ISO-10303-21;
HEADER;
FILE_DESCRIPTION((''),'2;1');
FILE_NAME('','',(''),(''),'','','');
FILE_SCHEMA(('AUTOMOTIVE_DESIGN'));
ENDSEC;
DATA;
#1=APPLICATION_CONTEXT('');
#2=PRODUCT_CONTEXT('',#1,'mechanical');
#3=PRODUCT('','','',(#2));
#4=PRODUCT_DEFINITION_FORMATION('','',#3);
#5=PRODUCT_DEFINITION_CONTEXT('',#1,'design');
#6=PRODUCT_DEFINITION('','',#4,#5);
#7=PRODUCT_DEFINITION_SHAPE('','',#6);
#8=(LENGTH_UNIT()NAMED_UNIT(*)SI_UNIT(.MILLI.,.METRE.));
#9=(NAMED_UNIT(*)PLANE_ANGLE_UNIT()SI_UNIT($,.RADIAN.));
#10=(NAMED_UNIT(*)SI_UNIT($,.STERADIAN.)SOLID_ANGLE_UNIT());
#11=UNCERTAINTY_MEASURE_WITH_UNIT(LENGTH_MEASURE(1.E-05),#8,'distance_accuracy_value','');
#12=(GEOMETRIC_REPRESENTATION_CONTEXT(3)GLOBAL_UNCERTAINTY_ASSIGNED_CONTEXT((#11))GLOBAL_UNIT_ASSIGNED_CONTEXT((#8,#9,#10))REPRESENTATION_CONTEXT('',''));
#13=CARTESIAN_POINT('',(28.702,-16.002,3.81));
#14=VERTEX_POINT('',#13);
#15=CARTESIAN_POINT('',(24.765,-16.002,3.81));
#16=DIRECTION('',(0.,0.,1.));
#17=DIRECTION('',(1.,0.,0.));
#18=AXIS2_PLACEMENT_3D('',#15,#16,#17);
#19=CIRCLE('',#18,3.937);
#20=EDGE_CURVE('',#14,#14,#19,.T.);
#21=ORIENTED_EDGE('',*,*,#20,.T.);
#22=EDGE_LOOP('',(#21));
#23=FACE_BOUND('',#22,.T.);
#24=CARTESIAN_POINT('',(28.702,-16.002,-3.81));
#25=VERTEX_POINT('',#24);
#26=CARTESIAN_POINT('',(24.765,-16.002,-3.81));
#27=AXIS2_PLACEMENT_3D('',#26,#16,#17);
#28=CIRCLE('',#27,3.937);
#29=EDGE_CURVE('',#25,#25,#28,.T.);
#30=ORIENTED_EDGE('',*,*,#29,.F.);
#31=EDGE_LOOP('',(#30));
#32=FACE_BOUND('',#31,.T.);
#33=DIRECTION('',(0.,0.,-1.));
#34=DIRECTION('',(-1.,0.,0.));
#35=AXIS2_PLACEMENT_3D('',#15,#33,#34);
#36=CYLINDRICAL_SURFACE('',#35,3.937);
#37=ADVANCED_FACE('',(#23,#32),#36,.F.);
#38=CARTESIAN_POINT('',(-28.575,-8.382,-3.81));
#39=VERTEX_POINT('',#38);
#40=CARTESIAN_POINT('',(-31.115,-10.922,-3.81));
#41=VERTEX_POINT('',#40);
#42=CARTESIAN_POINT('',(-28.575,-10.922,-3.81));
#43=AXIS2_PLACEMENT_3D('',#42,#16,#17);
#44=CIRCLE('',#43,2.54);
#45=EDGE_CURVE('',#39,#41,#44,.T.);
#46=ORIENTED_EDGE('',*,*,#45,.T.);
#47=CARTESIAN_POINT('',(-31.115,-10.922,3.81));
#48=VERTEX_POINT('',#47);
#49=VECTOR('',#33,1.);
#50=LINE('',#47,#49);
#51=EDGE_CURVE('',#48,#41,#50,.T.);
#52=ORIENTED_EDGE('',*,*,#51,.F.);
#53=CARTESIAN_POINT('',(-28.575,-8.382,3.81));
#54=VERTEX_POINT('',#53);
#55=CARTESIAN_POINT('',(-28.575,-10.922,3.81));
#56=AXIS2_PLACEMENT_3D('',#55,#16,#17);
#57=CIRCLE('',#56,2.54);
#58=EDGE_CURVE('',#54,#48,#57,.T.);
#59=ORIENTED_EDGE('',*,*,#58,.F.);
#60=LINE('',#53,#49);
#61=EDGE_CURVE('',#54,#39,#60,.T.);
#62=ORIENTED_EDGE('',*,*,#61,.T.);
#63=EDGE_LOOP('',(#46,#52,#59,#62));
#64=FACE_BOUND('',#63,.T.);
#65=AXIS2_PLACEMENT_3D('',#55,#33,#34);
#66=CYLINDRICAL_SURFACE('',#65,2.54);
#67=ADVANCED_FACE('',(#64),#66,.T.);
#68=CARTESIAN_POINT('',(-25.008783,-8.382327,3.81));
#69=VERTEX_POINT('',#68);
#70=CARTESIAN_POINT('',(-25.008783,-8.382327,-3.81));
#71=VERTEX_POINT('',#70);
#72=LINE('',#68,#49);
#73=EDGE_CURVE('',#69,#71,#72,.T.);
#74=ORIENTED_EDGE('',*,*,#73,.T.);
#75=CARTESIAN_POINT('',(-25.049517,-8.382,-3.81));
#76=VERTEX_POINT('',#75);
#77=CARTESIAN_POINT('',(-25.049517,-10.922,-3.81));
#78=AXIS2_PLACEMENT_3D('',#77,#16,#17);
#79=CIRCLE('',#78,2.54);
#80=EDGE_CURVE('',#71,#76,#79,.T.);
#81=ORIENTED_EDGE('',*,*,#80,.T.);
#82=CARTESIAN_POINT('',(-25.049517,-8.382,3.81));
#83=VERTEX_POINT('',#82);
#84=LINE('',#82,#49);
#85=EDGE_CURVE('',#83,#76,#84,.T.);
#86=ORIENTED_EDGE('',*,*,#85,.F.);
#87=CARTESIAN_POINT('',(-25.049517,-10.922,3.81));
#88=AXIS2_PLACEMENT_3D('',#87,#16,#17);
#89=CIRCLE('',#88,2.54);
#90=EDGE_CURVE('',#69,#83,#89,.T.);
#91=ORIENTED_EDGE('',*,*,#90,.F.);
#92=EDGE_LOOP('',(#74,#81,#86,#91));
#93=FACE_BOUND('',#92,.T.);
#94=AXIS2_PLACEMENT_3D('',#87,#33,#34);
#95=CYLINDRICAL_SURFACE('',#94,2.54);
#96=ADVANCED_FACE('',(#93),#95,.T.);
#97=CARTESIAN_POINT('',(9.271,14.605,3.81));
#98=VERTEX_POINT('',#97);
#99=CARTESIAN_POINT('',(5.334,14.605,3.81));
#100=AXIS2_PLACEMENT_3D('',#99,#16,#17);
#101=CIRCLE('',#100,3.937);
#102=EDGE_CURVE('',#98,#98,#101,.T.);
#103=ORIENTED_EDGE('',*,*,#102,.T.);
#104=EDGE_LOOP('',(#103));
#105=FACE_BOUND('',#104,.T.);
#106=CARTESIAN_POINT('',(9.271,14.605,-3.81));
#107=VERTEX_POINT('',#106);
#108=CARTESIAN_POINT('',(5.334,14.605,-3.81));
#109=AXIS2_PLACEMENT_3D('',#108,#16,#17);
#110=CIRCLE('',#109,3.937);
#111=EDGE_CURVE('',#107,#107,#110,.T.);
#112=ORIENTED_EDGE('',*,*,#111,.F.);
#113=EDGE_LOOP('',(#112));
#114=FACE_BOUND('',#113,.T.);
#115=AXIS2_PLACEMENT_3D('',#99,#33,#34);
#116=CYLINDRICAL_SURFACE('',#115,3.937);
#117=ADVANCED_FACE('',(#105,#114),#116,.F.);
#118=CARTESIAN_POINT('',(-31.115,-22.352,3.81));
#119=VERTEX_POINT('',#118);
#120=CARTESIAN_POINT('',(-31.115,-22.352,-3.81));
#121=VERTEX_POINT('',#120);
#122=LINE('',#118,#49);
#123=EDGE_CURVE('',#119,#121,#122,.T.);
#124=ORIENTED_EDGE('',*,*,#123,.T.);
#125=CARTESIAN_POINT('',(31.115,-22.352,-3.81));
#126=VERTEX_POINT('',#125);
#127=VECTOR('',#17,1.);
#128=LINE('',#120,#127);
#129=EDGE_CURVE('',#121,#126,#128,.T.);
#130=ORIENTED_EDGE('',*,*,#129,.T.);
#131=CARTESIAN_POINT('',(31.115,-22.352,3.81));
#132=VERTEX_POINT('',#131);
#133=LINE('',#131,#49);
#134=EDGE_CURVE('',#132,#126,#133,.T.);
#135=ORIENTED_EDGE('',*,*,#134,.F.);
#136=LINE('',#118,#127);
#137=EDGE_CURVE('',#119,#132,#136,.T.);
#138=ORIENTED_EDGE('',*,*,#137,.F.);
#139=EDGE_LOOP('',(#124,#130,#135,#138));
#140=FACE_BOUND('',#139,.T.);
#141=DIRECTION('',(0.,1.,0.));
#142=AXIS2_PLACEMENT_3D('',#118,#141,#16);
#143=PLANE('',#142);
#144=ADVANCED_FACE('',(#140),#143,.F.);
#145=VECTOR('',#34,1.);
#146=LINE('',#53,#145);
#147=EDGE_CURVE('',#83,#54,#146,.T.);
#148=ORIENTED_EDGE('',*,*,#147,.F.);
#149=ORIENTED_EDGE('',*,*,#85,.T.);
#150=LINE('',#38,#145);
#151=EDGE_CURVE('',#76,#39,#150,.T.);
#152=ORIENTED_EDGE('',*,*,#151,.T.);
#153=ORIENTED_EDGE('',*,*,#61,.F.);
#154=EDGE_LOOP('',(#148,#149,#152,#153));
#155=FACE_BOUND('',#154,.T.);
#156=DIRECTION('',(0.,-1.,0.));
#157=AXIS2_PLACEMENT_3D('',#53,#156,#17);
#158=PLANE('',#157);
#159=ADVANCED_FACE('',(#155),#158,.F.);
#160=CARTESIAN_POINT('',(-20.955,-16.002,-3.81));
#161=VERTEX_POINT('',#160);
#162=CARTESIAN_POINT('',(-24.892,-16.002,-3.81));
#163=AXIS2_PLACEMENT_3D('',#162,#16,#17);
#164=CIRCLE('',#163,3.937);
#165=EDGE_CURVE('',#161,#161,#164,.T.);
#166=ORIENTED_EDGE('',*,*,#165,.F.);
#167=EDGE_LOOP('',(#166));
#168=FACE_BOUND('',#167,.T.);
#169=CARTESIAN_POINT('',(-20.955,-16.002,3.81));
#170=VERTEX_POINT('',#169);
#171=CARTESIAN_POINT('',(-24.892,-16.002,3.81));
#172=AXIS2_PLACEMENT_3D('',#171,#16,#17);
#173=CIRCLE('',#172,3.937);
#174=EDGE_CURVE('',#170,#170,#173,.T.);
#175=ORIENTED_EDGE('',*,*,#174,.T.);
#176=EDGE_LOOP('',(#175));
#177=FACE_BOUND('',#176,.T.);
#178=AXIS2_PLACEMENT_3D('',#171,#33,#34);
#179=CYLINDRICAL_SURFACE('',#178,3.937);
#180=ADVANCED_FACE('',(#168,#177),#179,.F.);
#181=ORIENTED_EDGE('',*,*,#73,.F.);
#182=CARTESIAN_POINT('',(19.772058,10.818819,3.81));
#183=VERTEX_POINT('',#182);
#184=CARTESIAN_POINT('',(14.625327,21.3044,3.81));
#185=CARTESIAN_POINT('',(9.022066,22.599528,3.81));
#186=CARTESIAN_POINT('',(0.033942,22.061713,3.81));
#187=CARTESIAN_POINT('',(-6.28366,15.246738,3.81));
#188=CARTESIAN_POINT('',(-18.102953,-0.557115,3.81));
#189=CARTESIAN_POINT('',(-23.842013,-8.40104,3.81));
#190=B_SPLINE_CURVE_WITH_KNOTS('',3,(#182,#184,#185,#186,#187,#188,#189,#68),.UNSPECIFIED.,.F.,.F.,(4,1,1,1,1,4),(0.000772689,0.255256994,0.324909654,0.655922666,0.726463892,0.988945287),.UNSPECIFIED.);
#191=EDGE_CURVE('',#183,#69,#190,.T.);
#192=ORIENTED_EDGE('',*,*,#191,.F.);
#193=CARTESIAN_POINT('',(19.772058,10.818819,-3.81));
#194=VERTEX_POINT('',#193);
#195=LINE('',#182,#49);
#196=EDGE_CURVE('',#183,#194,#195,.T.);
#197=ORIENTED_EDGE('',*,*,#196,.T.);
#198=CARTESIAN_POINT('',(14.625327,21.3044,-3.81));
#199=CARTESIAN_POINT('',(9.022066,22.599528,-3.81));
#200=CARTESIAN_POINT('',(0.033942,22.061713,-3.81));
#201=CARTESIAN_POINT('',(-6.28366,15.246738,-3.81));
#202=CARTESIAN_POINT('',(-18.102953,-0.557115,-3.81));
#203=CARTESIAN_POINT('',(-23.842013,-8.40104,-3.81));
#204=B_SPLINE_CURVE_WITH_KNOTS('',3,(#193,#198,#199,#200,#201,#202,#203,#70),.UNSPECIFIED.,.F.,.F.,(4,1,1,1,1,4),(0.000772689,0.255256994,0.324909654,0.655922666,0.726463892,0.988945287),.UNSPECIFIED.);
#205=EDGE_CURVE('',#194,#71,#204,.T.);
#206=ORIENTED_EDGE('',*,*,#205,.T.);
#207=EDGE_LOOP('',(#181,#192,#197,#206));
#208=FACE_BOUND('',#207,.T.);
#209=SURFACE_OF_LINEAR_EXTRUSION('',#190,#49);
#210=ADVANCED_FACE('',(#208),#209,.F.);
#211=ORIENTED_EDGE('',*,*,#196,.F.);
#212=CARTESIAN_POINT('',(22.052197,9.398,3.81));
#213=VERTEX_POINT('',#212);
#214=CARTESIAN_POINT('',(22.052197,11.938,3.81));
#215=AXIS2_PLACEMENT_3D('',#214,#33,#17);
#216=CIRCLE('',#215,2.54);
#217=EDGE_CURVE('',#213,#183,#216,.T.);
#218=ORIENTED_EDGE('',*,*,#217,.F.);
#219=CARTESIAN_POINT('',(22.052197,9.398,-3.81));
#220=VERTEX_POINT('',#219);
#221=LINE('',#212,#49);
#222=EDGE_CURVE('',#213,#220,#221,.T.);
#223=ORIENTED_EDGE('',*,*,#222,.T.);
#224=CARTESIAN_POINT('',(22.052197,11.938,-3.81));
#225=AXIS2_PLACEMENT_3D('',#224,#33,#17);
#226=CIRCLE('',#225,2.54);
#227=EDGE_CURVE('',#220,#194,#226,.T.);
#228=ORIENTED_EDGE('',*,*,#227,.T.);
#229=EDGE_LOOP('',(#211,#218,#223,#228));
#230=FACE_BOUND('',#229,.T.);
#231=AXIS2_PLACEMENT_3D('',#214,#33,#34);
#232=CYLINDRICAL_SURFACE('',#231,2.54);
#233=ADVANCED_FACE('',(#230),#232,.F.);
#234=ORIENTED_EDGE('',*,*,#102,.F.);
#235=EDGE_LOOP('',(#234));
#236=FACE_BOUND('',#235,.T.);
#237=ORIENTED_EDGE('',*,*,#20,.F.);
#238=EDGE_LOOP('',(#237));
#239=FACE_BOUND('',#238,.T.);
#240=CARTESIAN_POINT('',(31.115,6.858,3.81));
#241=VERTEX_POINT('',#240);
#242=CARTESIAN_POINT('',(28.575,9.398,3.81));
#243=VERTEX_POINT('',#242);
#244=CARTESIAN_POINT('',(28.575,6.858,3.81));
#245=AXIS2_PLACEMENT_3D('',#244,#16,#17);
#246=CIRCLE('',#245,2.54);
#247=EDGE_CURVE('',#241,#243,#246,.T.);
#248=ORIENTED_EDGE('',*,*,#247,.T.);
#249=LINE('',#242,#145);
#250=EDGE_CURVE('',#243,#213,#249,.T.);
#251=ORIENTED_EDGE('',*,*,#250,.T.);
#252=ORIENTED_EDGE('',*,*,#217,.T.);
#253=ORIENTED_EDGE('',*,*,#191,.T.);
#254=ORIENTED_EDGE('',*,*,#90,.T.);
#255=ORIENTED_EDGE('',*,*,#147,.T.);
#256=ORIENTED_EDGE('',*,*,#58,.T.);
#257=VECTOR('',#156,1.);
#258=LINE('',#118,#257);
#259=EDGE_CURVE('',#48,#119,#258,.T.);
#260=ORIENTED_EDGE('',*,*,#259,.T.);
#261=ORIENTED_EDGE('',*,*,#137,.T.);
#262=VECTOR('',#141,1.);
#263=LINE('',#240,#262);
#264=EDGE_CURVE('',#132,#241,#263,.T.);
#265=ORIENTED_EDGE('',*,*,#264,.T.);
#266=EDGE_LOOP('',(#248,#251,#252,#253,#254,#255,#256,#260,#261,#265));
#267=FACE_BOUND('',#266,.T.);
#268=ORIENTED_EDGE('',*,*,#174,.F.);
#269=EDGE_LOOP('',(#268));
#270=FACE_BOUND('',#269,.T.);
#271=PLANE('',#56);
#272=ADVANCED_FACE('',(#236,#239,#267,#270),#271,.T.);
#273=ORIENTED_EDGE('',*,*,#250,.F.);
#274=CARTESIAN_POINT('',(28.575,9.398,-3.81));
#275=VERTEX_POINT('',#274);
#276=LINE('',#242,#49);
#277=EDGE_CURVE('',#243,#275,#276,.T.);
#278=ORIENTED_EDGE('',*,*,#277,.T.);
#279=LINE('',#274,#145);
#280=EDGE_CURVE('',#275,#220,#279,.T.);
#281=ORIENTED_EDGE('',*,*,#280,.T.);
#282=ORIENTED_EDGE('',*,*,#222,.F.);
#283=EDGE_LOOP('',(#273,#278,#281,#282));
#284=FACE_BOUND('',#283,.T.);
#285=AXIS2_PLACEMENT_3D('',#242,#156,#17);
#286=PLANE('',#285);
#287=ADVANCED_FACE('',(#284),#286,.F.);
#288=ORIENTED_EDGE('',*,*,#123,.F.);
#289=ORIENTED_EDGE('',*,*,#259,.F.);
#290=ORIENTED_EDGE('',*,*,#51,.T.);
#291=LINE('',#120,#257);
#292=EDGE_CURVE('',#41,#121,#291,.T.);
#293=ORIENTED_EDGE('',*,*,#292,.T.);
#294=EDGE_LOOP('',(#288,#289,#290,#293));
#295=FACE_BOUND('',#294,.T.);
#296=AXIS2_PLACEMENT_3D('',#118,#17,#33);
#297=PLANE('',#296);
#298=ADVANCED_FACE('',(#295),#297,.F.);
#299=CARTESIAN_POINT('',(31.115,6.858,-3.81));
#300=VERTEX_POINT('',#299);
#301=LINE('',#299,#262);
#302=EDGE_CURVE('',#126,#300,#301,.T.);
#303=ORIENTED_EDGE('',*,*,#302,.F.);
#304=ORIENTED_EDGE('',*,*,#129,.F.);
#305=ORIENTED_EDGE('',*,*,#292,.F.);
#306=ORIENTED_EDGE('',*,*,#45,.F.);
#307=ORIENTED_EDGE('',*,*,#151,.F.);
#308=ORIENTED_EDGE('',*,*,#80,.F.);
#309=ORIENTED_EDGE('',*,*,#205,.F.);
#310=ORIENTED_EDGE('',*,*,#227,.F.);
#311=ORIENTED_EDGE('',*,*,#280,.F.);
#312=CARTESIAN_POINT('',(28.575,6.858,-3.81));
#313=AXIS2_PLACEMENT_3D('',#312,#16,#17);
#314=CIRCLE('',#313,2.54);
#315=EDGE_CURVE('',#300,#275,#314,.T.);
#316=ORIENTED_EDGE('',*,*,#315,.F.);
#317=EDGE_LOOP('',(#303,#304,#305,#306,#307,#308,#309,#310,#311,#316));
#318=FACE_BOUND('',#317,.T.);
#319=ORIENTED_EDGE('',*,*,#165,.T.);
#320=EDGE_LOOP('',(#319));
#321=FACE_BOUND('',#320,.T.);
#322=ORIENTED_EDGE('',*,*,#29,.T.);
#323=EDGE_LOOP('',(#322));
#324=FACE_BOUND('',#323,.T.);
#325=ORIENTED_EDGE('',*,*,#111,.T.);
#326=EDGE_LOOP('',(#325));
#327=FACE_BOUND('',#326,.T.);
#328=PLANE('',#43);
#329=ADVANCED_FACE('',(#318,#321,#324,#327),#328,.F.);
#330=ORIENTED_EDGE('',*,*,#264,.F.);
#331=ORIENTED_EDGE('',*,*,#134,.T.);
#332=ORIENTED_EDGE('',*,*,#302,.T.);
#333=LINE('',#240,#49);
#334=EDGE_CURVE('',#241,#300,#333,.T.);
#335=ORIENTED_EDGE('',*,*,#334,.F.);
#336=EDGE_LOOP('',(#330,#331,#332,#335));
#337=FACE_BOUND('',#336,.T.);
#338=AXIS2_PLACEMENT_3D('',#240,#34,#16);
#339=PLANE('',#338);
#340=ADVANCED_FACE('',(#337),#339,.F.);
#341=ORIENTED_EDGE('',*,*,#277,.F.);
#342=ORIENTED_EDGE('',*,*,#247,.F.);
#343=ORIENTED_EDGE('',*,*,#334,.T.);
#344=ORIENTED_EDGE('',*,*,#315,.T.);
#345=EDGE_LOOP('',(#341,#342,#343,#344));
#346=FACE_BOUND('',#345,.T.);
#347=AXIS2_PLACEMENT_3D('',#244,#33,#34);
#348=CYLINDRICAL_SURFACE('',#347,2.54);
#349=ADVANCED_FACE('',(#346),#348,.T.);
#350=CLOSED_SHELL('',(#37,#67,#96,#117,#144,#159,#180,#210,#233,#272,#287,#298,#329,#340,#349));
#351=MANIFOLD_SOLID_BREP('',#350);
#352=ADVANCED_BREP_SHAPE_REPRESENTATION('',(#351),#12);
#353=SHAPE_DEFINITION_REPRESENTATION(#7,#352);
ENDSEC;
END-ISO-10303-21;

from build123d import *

# Parameters (mm, degrees)
SKETCH1_R           = 3.937
BOSS_EXTRUDE1_DEPTH = 3.81


with BuildPart() as part:
    # Sketch1 → Boss-Extrude1 (new body, symmetric)
    with BuildSketch(Plane.XY):
        with BuildLine():
            Line((31.115, 6.858), (31.115, -22.352))
            Line((31.115, -22.352), (-31.115, -22.352))
            Line((-31.115, -22.352), (-31.115, -10.922))
            ThreePointArc((-31.115, -10.922), (-30.371051224, -9.125948776), (-28.575, -8.382))
            Line((-28.575, -8.382), (-25.049516684, -8.382))
            ThreePointArc((-25.049516684, -8.382), (-25.029149277, -8.382081661), (-25.008783181, -8.382326639))
            add(Edge.make_bspline(
                [(-25.008783181, -8.382326639), (-23.842012802, -8.401040323), (-18.102952542, -0.55711547), (-6.283660278, 15.246737848), (0.033942105, 22.061713275), (9.022065719, 22.599528271), (14.625326979, 21.304399973), (19.772057533, 10.818819135)],
                knots=[0.000772689, 0.000772689, 0.000772689, 0.000772689, 0.263254084, 0.33379531, 0.664808322, 0.734460983, 0.988945287, 0.988945287, 0.988945287, 0.988945287], degree=3))
            ThreePointArc((19.772057533, 10.818819135), (20.708902036, 9.782272814), (22.052196606, 9.398))
            Line((22.052196606, 9.398), (28.575, 9.398))
            ThreePointArc((28.575, 9.398), (30.371051224, 8.654051224), (31.115, 6.858))
        make_face()
        with Locations((5.334, 14.605)):
            Circle(SKETCH1_R, mode=Mode.SUBTRACT)
        with Locations((-24.892, -16.002)):
            Circle(SKETCH1_R, mode=Mode.SUBTRACT)
        with Locations((24.765, -16.002)):
            Circle(SKETCH1_R, mode=Mode.SUBTRACT)
    extrude(amount=BOSS_EXTRUDE1_DEPTH, both=True)


solid = part.part
